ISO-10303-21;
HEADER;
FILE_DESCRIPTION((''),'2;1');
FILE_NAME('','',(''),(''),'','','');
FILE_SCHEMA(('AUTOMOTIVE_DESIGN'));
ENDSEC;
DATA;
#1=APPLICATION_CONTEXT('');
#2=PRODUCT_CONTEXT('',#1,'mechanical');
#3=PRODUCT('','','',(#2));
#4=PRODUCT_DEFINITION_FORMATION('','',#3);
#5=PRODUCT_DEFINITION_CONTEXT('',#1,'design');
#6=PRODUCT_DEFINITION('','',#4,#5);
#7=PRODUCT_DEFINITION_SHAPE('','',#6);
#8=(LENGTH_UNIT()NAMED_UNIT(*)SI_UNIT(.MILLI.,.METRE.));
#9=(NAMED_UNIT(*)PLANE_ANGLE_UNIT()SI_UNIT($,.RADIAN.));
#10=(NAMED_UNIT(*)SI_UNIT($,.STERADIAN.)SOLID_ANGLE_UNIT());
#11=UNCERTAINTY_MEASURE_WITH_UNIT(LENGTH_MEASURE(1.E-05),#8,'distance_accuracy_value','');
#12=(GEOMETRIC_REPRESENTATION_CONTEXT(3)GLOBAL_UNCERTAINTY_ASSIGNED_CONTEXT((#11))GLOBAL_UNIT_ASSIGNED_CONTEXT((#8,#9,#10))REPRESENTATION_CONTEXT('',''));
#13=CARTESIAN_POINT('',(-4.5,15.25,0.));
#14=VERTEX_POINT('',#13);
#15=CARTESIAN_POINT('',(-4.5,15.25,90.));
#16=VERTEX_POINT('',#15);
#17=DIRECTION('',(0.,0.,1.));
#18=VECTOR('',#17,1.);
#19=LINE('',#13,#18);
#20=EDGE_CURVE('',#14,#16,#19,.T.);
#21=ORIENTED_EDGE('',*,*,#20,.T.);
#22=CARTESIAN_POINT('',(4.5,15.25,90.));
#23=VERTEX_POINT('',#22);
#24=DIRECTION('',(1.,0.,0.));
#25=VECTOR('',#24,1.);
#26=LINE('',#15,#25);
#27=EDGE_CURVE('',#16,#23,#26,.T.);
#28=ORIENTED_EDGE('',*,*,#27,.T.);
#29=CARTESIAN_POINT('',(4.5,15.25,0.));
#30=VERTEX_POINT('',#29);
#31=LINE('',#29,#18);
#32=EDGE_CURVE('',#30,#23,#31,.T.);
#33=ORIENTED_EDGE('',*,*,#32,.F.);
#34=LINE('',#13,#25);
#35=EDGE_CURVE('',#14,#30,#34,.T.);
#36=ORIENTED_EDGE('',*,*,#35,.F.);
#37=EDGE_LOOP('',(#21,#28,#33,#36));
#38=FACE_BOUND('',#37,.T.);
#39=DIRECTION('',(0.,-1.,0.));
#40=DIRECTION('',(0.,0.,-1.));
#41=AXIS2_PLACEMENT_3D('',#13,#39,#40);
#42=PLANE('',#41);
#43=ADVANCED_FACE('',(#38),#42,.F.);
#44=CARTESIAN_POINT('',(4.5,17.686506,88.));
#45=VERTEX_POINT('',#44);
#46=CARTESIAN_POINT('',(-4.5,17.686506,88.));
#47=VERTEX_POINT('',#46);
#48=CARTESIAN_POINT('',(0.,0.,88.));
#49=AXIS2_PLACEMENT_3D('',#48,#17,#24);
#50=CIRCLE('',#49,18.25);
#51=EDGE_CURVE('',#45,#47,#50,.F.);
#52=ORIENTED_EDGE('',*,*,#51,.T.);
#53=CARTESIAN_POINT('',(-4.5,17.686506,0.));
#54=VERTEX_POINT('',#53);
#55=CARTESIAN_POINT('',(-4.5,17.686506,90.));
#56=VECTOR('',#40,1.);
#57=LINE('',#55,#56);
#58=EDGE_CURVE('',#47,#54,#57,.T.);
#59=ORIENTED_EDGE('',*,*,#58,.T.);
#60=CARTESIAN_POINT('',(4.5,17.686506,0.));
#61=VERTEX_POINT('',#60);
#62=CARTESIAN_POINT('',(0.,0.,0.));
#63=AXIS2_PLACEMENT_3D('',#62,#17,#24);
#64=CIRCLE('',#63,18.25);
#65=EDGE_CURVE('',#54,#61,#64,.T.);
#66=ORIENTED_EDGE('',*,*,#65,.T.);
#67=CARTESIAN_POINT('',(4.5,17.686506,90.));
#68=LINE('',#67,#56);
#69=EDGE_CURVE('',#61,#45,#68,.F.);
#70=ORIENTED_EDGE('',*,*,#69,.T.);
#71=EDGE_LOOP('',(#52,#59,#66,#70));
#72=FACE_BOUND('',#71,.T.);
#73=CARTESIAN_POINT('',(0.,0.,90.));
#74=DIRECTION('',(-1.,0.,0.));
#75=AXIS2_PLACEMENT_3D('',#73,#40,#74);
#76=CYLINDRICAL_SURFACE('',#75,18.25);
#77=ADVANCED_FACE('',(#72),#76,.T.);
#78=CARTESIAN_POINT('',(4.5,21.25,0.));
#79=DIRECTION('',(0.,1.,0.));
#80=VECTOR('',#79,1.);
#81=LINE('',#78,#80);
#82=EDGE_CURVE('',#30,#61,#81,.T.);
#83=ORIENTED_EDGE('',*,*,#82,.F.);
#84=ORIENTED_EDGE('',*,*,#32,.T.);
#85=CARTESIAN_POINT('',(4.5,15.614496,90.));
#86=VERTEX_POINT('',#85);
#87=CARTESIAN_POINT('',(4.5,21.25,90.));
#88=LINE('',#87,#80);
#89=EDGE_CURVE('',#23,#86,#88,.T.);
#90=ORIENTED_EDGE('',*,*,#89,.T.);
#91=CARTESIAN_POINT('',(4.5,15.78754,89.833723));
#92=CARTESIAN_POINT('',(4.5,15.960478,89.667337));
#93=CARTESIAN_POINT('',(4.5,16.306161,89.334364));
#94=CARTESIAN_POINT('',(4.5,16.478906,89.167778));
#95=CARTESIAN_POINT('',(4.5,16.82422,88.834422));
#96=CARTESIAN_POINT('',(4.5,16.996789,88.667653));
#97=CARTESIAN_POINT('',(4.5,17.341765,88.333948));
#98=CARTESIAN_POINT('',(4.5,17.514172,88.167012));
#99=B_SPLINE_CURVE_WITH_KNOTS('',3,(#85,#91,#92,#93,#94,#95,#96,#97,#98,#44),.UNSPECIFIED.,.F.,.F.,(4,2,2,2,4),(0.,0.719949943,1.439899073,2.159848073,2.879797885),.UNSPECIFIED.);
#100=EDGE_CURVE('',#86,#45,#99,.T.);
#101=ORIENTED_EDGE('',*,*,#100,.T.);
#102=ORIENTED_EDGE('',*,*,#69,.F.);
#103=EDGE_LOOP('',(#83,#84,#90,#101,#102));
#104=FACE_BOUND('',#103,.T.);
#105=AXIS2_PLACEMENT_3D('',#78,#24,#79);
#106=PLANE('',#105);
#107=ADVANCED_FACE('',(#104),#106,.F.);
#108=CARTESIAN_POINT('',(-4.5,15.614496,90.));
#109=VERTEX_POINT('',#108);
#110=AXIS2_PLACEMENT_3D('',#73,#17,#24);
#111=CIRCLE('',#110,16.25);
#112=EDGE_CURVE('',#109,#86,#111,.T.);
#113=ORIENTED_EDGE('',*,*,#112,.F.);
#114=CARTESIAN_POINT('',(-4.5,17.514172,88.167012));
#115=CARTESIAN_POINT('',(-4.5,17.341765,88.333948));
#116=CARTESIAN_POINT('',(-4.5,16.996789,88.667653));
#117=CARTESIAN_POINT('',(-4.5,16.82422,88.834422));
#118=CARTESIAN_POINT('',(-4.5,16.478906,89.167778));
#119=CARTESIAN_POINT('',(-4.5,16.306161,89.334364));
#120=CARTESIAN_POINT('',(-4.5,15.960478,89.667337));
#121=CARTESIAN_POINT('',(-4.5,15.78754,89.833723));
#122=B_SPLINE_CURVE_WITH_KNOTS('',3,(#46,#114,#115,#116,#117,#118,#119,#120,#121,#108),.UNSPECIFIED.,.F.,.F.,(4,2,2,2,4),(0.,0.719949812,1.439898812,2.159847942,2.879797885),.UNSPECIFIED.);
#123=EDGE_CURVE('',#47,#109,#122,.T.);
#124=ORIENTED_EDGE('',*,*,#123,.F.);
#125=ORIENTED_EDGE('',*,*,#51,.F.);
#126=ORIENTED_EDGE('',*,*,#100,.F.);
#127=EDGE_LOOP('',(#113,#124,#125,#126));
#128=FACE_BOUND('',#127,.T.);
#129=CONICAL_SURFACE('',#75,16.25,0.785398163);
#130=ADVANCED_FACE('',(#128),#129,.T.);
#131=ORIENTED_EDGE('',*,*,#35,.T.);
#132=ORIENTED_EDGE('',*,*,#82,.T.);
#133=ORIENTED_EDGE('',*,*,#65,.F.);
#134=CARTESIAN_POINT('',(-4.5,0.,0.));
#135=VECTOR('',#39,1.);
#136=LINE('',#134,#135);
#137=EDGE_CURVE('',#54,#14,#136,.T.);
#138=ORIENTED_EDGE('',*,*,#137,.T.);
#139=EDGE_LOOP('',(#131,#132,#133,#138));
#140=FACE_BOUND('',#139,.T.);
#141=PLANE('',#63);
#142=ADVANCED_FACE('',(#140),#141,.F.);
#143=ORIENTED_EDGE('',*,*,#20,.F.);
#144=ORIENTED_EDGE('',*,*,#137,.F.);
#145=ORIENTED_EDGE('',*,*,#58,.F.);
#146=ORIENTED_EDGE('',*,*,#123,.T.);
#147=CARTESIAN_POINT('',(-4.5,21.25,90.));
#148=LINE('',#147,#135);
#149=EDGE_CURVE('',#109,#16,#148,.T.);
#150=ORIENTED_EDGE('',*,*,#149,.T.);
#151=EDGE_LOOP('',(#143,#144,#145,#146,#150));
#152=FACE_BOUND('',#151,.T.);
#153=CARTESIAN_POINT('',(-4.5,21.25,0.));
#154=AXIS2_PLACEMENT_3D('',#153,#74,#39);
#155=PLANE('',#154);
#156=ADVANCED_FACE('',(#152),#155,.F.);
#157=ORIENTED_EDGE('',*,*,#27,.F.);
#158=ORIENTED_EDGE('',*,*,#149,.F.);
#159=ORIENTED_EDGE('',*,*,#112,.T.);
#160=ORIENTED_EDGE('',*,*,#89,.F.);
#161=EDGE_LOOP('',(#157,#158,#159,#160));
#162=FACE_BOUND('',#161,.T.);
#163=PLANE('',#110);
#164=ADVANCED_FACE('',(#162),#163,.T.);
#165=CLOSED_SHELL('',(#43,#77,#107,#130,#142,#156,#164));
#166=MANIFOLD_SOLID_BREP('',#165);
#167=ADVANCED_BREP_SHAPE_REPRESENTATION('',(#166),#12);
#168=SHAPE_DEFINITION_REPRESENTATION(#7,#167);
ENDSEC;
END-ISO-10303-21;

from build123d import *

# Parameters (mm, degrees)
SKETCH1_R           = 18.25
BOSS_EXTRUDE1_DEPTH = 90
SKETCH2_W           = 9
SKETCH2_H           = 6
CUT_EXTRUDE1_DEPTH  = 94.627586747
CHAMFER1_SIZE       = 2


with BuildPart() as part:
    # Sketch1 → Boss-Extrude1 (new body)
    with BuildSketch(Plane.XY):
        with Locations(Location((0, 0, 0), (0, 0, 180))):
            Circle(SKETCH1_R)
    extrude(amount=BOSS_EXTRUDE1_DEPTH)

    # Sketch2 → Cut-Extrude1 (cut, through all)
    with BuildSketch(Plane.XY.offset(90)):
        with Locations((0, 18.25)):
            Rectangle(SKETCH2_W, SKETCH2_H)
    extrude(amount=-CUT_EXTRUDE1_DEPTH, mode=Mode.SUBTRACT)

    # Chamfer1
    chamfer1_edges = [part.edges().sort_by_distance(p)[0] for p in [
        (0, -18.25, 90),
    ]]
    chamfer(chamfer1_edges, length=CHAMFER1_SIZE)


solid = part.part
